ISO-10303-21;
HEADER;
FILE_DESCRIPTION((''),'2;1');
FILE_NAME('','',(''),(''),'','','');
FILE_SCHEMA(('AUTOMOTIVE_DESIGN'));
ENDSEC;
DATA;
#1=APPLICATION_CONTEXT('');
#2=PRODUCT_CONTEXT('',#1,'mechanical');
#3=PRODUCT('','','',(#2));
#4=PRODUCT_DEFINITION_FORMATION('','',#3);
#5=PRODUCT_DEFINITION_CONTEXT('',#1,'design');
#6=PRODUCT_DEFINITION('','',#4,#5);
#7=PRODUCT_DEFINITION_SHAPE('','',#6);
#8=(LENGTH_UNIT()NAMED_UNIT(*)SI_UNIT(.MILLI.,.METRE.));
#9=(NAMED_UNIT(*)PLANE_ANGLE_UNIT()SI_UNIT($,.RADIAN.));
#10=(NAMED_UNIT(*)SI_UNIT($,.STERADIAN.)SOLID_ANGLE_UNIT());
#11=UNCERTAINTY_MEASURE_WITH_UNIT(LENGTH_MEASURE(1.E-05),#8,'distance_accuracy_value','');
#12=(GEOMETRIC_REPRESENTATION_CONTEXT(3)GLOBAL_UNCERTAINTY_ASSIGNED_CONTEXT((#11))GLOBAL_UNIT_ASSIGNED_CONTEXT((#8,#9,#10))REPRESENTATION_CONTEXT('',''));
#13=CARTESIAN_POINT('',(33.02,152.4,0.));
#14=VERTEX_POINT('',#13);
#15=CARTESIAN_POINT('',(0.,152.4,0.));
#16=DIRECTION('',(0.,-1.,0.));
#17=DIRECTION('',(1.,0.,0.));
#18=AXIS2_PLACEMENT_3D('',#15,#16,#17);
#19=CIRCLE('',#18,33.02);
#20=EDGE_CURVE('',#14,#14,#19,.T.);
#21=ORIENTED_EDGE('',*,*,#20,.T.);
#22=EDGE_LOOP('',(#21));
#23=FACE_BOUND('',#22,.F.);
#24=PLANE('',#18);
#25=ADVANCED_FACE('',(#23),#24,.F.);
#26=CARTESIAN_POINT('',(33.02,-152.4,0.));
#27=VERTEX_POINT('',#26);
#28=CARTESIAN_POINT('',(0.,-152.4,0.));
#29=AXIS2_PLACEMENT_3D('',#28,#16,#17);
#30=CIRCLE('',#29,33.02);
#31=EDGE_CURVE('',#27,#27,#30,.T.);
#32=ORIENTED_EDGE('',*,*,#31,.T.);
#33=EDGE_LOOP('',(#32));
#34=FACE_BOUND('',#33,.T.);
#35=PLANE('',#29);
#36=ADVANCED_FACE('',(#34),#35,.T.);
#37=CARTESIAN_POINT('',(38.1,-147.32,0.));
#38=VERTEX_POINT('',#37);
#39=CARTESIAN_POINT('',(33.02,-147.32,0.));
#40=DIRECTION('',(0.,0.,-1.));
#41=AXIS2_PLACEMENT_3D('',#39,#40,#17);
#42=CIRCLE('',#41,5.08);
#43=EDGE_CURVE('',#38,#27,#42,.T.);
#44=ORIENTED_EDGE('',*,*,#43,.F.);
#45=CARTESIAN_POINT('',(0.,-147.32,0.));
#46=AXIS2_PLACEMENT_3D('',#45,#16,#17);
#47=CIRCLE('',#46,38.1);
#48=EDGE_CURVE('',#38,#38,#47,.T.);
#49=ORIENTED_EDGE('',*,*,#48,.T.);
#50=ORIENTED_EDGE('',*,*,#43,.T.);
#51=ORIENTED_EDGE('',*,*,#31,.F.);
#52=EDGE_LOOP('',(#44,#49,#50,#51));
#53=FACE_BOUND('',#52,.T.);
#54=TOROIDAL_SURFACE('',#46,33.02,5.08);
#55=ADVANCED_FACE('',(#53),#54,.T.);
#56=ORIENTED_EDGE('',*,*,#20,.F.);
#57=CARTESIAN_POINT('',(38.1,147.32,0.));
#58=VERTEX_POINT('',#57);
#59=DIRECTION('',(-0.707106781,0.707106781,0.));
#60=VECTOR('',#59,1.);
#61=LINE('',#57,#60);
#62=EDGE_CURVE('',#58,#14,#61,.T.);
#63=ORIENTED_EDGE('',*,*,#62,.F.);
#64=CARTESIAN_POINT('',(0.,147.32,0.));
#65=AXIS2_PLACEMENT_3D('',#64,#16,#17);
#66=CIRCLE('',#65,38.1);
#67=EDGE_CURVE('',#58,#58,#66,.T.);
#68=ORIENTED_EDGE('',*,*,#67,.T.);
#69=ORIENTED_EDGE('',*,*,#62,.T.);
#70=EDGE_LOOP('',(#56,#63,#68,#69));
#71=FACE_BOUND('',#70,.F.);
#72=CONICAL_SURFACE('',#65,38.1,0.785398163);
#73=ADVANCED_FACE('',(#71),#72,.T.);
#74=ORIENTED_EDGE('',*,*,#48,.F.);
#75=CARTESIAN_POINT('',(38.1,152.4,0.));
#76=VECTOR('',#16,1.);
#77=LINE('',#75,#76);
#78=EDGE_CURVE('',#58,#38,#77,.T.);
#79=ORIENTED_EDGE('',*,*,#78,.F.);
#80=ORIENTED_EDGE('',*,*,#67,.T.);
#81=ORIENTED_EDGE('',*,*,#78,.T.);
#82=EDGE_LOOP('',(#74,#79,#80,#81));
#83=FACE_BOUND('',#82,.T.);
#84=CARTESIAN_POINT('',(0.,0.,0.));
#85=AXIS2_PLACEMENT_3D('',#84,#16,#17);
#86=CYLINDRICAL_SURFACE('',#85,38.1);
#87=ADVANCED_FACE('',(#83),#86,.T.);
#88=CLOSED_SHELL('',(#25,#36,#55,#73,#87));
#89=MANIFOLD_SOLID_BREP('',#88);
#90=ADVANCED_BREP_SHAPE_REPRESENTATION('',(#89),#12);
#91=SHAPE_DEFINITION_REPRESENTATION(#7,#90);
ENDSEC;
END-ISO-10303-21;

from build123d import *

# Parameters (mm, degrees)
F0_R     = 38.1
F1_DEPTH = 152.4
F2_R     = 5.08
F3_SIZE  = 5.08


with BuildPart() as f1:
    # F0 (on Front) → F1 (new body, symmetric)
    with BuildSketch(Plane.XZ):
        Circle(F0_R)
    extrude(amount=F1_DEPTH, both=True)

    # F2
    f2_edges = [f1.edges().sort_by_distance(p)[0] for p in [
        (-38.1, -152.4, 0),
    ]]
    fillet(f2_edges, radius=F2_R)

    # F3
    f3_edges = [f1.edges().sort_by_distance(p)[0] for p in [
        (38.1, 2.54, 0),
        (-38.1, -147.32, 0),
        (-38.1, 152.4, 0),
    ]]
    chamfer(f3_edges, length=F3_SIZE)


solid = f1.part
